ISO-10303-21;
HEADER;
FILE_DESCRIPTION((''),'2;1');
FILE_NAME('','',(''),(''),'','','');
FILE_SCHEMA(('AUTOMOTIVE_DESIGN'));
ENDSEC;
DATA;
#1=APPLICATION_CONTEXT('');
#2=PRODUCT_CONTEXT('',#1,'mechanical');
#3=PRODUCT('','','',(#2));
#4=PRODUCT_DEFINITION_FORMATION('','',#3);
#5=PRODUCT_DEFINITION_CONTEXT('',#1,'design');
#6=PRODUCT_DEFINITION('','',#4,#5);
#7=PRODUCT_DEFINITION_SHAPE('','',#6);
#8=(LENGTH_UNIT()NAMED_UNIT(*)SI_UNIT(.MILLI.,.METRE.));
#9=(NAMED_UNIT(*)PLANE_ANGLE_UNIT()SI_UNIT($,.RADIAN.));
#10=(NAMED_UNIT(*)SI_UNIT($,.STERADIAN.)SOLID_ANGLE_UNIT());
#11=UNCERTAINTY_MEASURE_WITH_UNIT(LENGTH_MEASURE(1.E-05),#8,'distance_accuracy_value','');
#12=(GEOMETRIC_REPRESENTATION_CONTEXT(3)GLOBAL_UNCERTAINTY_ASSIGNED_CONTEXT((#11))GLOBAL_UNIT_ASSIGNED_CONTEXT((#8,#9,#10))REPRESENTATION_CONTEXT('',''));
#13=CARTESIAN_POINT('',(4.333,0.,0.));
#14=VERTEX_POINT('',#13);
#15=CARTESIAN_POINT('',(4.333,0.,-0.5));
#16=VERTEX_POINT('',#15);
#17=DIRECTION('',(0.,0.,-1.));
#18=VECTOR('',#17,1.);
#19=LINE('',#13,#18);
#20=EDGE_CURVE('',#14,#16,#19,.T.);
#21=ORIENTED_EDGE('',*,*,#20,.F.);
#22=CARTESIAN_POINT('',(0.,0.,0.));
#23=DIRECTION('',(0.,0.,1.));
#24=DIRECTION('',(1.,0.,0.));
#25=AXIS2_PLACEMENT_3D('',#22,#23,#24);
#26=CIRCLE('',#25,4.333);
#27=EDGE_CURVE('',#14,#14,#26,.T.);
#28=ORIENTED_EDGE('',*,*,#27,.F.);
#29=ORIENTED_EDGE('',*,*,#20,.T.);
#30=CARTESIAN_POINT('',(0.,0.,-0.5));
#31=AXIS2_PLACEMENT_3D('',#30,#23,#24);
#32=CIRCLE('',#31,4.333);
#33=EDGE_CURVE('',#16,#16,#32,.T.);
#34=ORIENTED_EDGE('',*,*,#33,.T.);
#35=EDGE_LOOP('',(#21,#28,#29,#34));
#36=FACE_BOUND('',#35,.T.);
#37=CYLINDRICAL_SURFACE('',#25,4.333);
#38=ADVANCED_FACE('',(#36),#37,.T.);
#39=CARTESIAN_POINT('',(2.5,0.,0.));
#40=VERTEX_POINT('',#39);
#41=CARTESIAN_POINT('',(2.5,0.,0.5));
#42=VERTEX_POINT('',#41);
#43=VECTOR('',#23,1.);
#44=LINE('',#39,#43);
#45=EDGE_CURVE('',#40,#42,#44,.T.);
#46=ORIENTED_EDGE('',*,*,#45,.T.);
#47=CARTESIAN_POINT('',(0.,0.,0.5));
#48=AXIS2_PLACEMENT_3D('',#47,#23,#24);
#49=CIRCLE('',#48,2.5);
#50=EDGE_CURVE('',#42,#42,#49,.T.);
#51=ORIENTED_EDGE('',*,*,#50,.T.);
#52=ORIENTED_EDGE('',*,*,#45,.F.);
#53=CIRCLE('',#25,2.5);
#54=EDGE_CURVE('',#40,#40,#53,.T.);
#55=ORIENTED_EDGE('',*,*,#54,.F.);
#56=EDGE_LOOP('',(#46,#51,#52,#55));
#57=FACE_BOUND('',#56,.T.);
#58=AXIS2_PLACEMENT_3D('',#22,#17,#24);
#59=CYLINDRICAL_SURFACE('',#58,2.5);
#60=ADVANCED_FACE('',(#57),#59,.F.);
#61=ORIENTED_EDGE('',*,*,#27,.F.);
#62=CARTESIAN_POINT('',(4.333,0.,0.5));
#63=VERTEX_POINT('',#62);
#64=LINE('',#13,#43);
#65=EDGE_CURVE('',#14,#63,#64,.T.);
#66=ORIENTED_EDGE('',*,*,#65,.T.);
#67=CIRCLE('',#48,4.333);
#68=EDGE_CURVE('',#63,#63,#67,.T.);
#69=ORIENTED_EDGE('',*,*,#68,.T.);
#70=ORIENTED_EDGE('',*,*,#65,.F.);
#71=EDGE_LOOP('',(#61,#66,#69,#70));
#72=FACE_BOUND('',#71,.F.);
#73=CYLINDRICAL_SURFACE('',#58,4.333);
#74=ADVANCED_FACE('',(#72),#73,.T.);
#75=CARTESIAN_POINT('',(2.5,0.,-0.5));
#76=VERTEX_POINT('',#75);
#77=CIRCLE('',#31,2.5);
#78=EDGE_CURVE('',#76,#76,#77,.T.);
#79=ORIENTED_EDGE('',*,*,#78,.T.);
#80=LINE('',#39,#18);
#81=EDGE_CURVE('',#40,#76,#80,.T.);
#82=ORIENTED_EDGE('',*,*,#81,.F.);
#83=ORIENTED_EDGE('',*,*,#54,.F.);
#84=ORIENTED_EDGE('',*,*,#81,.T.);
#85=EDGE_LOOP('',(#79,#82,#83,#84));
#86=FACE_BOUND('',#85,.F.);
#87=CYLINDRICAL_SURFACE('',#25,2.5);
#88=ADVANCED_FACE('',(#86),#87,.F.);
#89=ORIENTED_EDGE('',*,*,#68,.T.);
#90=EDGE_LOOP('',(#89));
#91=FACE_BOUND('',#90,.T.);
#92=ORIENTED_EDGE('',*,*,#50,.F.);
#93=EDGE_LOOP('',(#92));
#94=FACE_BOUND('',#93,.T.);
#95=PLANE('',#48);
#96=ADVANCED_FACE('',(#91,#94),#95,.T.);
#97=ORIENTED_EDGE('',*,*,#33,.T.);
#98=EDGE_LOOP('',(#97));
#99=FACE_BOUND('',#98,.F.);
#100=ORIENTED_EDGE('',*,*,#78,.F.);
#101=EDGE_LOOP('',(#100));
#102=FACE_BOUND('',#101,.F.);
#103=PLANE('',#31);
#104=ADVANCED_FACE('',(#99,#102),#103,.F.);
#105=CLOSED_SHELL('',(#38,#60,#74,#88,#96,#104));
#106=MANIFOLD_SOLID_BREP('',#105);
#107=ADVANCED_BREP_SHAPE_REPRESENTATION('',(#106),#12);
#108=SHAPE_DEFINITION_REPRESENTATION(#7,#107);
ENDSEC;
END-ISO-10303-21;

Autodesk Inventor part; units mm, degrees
ref_plane "YZ Plane" through (0, 0, 0) normal (1, 0, 0) x (0, 1, 0)
ref_plane "XZ Plane" through (0, 0, 0) normal (0, 1, 0) x (-1, 0, 0)
ref_plane "XY Plane" through (0, 0, 0) normal (0, 0, 1) x (1, 0, 0)
sketch "Эскиз1" plane through (0, 0, 0) normal (0, 0, 1) x (1, 0, 0)
  circle A0 centre (0, 0) radius 2.5
  circle A1 centre (0, 0) radius 4.333
  dimension "d0" = 5
  dimension "d1" = 8.666
extrude "Выдавливание1" add sketch "Эскиз1" along normal mid plane 1
properties part number "VSWPS-1523"
